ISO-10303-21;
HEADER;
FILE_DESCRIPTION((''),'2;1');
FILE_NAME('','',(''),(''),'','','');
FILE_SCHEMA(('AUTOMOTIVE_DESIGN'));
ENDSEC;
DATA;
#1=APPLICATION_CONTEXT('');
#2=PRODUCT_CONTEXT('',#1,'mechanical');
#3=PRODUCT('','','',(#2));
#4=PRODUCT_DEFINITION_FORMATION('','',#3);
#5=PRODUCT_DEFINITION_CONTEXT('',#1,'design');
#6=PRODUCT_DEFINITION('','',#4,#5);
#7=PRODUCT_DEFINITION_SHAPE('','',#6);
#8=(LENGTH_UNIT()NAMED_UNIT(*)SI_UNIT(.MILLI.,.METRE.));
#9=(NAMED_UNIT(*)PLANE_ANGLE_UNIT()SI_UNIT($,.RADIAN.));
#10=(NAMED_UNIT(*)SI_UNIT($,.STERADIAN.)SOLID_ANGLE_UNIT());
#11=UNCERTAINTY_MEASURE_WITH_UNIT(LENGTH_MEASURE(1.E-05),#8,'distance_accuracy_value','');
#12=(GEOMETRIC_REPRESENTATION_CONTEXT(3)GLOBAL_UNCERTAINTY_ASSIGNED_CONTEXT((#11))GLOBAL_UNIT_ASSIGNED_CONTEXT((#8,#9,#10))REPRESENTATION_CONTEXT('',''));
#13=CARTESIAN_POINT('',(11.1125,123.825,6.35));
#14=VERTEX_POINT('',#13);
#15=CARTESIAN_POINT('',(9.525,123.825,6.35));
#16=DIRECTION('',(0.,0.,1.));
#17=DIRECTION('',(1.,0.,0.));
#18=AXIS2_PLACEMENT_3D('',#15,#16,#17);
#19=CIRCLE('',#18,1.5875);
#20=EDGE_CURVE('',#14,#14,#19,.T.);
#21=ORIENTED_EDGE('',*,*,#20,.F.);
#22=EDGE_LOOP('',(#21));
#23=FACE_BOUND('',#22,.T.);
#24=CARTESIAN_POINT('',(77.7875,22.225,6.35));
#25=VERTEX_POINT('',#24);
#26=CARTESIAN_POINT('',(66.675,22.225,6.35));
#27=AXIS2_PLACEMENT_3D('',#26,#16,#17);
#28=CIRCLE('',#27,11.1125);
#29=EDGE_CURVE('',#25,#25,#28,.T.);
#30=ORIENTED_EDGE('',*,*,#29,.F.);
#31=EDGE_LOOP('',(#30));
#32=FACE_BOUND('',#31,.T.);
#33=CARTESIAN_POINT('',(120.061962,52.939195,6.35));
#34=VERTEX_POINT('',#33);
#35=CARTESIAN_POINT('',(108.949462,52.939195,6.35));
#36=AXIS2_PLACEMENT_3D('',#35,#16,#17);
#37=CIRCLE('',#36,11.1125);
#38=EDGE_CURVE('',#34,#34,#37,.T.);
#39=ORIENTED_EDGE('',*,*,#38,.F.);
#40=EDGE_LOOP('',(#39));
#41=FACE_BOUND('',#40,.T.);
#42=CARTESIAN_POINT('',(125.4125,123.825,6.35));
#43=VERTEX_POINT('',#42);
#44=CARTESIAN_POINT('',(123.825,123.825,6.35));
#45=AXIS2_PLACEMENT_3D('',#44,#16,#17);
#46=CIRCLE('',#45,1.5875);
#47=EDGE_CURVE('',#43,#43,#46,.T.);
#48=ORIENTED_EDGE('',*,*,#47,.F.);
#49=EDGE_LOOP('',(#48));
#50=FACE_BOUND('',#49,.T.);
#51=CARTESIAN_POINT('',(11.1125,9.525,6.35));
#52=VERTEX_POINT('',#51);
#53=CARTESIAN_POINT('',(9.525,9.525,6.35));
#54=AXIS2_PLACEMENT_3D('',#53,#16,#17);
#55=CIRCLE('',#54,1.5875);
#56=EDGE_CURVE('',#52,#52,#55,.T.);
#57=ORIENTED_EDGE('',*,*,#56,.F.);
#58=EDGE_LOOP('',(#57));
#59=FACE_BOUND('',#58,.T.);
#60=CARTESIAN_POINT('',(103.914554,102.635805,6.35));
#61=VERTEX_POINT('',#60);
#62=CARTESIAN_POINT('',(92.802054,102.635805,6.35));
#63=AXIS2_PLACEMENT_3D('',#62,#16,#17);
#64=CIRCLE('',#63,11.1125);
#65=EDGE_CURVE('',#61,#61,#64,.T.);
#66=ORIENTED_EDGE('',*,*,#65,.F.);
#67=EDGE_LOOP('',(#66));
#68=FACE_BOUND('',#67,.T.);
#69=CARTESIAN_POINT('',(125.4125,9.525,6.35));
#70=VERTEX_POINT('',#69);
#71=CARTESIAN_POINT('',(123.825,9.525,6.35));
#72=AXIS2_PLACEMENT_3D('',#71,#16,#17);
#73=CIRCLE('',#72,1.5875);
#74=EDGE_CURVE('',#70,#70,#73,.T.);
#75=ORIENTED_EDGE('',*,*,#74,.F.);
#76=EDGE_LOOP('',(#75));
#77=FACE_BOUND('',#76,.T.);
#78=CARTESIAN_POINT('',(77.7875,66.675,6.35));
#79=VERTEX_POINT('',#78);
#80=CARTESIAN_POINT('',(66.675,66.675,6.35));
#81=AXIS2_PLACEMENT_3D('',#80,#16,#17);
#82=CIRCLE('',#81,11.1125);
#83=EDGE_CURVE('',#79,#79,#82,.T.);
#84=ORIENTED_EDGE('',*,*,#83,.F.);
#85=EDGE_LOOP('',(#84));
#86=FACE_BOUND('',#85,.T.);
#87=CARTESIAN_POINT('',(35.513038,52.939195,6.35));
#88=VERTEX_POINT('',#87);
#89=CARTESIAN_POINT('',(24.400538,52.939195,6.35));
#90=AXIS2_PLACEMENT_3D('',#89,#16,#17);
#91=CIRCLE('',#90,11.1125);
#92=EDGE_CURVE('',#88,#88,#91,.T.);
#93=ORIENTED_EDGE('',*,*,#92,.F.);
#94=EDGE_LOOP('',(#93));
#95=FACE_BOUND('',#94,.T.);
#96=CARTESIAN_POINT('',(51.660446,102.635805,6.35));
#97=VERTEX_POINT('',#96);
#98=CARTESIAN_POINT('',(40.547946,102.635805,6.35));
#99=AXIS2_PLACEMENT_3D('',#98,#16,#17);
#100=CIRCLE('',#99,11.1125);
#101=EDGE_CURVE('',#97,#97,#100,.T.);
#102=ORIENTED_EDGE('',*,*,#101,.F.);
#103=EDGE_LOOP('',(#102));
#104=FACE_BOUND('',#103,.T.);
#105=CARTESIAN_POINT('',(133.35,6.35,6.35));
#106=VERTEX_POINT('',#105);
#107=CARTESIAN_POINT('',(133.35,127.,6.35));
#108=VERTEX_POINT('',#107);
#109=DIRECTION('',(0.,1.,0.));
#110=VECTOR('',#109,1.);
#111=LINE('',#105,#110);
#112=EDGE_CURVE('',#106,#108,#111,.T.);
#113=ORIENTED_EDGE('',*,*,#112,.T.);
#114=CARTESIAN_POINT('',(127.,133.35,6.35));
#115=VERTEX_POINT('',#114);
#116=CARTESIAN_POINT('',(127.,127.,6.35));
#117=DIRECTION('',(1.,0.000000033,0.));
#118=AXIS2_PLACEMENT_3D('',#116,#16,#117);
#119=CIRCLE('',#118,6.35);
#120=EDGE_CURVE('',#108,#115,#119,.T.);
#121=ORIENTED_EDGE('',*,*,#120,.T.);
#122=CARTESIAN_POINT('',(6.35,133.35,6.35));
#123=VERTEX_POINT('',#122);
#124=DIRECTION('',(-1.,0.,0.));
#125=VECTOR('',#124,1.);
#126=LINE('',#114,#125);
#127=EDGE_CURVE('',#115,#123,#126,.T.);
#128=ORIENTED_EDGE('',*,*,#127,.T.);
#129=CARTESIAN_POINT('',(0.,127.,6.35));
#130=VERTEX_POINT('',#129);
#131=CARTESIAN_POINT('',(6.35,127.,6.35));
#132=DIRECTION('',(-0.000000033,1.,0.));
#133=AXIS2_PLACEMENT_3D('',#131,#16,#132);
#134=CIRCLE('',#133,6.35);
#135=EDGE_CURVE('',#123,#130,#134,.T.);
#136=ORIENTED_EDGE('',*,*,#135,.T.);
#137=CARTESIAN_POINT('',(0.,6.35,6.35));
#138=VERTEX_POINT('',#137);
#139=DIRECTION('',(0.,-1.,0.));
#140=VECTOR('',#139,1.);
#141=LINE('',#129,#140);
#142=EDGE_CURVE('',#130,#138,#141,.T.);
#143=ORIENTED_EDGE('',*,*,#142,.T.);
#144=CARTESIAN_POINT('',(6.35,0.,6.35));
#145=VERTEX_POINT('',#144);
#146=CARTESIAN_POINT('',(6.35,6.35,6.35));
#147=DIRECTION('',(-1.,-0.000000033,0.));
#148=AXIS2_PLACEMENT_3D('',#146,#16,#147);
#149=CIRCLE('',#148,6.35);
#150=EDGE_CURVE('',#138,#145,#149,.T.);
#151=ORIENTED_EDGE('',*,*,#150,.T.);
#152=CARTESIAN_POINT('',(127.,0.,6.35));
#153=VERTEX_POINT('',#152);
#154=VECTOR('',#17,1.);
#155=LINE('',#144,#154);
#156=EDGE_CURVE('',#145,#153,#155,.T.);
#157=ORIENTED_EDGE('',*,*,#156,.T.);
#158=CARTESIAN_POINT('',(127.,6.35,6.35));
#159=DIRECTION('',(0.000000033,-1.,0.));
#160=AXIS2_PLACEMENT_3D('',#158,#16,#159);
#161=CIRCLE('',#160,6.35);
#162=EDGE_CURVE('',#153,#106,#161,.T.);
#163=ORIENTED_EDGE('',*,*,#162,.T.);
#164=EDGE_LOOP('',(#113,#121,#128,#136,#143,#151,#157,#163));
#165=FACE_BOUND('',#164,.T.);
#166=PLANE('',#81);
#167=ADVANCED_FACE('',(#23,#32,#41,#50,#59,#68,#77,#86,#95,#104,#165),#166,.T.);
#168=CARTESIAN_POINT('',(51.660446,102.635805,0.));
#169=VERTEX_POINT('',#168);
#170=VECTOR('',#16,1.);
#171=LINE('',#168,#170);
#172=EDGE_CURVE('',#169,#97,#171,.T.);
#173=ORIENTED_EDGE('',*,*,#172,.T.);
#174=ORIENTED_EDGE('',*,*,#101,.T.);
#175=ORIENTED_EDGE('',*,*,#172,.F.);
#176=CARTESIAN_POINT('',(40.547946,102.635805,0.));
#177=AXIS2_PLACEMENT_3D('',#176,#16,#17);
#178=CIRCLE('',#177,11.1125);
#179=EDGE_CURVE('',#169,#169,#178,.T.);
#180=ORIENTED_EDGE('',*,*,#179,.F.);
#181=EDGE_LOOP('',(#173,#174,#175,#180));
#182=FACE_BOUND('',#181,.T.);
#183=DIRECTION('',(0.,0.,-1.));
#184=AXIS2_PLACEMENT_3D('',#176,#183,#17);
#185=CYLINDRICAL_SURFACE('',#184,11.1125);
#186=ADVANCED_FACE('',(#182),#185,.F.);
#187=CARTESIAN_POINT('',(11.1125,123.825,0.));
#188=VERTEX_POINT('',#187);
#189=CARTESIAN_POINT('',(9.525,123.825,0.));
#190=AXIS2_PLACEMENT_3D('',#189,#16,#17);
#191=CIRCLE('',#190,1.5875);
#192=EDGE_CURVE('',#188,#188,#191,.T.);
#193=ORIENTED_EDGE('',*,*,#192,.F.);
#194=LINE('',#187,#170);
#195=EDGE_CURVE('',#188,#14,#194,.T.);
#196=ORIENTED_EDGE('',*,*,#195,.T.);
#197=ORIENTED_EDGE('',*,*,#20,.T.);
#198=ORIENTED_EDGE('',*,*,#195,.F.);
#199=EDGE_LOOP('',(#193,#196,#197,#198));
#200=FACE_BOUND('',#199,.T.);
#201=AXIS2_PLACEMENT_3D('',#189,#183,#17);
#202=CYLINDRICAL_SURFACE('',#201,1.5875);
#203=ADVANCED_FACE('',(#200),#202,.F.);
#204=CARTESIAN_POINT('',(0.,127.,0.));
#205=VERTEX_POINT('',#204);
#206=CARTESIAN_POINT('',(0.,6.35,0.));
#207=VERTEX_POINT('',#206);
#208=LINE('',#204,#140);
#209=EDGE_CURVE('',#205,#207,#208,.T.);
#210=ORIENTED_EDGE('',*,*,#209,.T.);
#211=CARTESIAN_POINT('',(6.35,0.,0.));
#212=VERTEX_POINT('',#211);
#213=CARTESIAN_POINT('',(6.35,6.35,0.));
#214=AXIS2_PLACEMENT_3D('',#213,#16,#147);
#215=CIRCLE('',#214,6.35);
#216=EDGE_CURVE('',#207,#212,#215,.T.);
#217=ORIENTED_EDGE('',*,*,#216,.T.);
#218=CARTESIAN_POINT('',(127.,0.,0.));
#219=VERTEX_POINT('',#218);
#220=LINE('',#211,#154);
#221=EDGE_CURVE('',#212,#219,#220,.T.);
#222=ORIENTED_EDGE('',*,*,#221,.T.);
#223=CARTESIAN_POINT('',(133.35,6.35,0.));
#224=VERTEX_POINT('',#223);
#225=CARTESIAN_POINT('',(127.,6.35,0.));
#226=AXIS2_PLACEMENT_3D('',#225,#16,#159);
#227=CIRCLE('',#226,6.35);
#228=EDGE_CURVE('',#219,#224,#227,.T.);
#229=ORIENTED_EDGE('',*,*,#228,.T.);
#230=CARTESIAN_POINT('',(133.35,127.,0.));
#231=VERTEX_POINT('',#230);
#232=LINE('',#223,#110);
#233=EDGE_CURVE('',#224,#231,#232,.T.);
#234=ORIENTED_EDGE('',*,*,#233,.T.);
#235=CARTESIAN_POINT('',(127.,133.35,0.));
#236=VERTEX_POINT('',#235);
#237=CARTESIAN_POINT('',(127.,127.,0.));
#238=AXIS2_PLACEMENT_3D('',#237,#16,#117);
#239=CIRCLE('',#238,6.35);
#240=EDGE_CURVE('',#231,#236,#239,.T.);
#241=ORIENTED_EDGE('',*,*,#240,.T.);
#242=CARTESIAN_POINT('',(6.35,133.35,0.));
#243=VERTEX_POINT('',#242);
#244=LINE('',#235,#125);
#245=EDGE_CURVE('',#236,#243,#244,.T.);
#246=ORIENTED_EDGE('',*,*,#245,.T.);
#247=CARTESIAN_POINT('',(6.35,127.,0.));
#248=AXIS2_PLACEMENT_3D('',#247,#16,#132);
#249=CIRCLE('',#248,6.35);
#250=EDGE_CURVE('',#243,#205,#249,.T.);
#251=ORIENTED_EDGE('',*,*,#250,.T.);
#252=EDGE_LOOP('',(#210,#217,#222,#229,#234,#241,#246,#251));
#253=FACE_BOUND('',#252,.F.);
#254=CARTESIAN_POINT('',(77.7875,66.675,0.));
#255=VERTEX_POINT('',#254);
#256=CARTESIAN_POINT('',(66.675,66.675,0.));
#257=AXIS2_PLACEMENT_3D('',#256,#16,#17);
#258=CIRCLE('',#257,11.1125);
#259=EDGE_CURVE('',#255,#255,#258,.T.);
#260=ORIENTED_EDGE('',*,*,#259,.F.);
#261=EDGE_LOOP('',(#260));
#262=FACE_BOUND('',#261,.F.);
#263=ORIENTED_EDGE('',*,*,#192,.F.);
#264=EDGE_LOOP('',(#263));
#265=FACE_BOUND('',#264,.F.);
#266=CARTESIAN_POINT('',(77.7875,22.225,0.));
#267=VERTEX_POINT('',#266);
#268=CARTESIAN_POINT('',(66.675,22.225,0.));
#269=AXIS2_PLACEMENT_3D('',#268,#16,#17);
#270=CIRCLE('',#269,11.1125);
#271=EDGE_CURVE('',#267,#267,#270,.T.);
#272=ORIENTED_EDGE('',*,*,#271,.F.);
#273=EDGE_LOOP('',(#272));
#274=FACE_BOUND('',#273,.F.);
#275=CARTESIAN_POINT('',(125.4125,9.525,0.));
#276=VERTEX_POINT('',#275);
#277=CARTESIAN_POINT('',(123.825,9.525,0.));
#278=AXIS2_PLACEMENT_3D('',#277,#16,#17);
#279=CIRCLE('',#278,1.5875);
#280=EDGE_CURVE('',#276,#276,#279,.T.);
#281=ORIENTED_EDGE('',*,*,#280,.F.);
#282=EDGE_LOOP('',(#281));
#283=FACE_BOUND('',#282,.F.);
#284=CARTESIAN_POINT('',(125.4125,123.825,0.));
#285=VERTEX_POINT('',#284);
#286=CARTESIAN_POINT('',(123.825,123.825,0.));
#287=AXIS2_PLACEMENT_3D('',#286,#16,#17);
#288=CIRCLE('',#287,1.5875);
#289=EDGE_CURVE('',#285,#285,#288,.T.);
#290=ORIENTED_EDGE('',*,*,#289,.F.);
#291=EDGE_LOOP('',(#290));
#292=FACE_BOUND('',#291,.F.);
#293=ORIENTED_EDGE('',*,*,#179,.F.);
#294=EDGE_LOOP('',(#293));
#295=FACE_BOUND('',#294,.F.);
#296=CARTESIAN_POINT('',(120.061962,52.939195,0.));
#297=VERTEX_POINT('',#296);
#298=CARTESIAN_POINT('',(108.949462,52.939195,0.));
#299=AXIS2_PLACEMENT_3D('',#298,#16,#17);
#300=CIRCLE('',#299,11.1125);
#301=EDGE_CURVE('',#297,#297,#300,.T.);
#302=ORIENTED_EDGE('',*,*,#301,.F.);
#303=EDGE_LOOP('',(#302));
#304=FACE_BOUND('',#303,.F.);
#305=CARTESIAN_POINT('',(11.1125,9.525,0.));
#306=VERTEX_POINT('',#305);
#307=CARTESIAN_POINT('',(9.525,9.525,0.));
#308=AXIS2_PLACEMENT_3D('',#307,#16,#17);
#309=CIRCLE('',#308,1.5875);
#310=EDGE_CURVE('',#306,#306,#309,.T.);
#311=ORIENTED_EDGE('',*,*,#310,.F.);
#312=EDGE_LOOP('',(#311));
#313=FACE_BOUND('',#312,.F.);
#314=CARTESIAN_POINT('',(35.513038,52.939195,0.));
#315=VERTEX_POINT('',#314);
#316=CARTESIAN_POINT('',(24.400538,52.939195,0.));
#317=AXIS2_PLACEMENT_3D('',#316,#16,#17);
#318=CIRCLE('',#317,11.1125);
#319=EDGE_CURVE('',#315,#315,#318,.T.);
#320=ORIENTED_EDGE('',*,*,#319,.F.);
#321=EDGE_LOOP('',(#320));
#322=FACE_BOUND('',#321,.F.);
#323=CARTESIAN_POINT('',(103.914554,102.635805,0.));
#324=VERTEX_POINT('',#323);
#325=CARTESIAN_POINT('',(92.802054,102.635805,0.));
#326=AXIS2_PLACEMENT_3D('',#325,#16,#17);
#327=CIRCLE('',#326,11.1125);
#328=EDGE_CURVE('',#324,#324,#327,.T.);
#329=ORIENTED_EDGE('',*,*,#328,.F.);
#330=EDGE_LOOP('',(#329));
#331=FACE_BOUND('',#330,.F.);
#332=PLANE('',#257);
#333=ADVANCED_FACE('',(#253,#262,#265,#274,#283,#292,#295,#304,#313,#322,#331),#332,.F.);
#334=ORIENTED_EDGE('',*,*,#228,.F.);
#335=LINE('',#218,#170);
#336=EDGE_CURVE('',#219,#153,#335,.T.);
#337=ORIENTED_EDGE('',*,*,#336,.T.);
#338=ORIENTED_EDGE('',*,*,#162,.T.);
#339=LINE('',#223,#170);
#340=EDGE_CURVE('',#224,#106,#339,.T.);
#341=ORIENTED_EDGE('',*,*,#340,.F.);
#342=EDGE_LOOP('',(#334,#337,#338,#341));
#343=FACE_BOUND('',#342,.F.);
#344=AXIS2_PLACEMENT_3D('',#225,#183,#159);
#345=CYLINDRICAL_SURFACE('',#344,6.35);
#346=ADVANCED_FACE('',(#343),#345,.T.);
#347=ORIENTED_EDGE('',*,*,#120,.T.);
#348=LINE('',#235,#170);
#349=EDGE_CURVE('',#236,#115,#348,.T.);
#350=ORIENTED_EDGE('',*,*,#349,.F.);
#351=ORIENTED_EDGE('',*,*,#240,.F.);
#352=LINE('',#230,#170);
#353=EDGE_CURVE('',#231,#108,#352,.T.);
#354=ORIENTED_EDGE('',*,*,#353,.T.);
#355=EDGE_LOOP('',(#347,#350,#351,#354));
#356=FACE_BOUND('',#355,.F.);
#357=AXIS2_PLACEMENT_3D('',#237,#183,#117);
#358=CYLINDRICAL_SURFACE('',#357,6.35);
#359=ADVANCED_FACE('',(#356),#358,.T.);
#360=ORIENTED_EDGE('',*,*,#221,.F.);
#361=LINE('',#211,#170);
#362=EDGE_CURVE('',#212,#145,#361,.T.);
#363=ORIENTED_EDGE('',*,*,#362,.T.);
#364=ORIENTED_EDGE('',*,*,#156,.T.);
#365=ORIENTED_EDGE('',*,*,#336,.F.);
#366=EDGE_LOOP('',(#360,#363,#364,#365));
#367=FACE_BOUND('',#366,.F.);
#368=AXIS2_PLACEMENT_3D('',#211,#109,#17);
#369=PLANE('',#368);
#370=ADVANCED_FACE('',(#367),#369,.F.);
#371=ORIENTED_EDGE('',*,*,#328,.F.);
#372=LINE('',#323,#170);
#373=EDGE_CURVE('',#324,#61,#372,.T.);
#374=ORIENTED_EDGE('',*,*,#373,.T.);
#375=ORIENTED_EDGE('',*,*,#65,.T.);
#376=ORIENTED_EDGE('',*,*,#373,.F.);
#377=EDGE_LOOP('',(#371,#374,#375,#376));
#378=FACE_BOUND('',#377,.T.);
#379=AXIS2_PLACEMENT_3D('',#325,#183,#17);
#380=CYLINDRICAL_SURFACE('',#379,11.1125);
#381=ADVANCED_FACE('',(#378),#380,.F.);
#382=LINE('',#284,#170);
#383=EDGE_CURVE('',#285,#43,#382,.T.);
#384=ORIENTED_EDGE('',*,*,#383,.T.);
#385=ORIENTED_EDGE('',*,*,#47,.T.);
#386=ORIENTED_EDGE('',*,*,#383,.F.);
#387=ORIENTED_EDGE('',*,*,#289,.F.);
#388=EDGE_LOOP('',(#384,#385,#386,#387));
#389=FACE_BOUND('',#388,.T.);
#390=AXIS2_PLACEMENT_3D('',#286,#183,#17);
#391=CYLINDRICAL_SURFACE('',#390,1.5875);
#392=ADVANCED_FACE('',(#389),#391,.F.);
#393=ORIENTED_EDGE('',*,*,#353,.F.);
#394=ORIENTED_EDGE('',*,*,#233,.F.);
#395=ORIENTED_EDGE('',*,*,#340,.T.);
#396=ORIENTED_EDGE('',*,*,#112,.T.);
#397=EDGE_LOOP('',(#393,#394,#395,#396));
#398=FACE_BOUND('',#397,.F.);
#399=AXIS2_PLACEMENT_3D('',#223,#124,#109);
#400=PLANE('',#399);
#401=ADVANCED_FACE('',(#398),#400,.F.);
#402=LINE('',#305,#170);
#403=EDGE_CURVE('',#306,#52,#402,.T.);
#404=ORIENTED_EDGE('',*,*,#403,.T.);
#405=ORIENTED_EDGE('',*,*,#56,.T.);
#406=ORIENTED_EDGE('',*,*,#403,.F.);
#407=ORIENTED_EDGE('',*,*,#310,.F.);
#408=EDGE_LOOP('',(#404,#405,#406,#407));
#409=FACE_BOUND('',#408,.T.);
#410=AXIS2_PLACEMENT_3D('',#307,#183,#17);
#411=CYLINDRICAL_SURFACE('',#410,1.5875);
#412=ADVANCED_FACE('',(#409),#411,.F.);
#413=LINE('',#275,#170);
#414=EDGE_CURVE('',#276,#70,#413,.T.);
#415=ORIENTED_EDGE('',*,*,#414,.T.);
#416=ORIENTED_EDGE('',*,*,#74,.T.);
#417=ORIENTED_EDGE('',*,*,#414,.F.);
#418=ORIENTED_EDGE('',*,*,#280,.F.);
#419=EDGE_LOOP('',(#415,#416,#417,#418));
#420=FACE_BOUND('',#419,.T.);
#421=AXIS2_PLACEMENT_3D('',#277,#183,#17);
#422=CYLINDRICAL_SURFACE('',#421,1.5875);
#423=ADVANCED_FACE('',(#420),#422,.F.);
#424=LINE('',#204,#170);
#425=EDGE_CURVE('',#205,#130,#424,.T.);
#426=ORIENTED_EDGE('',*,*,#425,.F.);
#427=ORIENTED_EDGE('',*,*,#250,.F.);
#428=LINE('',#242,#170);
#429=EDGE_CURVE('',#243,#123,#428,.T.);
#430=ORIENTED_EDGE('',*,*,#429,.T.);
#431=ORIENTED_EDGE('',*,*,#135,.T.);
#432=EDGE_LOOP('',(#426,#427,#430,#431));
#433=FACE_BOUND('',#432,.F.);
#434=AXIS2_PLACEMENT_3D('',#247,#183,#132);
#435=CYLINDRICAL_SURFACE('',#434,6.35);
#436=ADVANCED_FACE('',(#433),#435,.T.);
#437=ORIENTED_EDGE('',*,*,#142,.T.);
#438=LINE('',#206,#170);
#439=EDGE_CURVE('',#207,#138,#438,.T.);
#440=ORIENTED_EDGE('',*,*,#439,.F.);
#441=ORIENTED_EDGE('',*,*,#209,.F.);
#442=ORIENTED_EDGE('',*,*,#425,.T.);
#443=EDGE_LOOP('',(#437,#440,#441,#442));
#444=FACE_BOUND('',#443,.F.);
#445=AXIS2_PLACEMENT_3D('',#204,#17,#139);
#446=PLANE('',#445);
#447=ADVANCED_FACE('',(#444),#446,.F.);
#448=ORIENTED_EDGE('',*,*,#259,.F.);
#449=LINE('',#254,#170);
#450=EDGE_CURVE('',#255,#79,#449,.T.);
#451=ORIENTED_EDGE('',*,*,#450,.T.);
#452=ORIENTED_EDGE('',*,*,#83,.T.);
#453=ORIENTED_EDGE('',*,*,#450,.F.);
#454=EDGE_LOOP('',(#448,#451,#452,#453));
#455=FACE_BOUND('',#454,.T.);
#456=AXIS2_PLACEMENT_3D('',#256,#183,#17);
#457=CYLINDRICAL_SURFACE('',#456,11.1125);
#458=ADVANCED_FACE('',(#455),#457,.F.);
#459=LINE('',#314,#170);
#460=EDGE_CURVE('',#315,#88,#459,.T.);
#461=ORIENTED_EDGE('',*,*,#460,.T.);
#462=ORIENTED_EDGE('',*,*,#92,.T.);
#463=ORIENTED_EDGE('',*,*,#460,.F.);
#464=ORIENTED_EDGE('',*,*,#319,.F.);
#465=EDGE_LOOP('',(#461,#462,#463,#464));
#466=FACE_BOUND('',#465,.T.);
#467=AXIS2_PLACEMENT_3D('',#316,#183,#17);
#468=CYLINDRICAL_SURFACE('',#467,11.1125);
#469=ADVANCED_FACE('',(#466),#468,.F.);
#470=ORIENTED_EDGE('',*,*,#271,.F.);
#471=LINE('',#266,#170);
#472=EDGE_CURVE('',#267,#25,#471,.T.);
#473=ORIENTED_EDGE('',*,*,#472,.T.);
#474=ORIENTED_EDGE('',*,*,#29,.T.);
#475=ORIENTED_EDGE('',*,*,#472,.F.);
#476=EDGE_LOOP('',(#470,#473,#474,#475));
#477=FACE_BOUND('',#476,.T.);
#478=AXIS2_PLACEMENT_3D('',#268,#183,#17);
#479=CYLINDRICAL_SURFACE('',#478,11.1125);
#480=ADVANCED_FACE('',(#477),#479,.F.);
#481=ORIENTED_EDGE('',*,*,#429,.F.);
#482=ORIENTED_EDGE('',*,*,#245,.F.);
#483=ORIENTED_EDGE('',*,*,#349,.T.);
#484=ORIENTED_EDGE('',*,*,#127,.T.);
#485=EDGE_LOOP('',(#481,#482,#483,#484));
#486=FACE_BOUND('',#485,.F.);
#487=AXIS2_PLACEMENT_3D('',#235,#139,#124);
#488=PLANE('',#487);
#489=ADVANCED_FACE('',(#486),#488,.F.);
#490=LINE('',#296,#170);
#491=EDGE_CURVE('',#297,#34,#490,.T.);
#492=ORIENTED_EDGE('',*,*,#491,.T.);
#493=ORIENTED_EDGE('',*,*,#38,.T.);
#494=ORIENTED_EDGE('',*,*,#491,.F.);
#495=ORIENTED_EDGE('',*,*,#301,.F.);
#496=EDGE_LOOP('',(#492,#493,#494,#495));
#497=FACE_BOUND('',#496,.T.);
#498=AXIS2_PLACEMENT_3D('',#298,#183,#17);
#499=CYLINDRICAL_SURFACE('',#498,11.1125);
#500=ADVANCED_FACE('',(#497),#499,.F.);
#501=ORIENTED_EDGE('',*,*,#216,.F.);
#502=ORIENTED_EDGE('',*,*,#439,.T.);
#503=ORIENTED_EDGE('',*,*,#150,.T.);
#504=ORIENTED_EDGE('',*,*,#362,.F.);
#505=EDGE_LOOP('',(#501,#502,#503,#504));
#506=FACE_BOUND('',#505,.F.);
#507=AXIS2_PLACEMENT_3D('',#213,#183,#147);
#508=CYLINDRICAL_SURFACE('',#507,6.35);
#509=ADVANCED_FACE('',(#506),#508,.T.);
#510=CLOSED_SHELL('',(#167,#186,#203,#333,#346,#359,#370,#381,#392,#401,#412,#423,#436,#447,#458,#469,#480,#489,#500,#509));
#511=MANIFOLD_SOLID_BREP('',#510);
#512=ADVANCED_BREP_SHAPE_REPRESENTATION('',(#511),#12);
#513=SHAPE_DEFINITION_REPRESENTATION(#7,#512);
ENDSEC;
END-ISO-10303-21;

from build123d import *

# Parameters (mm, degrees)
F0_R     = 1.5875
F0_R_2   = 11.1125
F1_DEPTH = 6.35


with BuildPart() as f1:
    # F0 (on Top) → F1 (new body)
    with BuildSketch(Plane.XY):
        with BuildLine():
            ThreePointArc((0, 6.35), (1.859872, 1.859872), (6.35, 0))
            Line((6.35, 0), (127, 0))
            ThreePointArc((127, 0), (131.490128, 1.859872), (133.35, 6.35))
            Line((133.35, 6.35), (133.35, 127))
            ThreePointArc((133.35, 127), (131.490128, 131.490128), (127, 133.35))
            Line((127, 133.35), (6.35, 133.35))
            ThreePointArc((6.35, 133.35), (1.859872, 131.490128), (0, 127))
            Line((0, 127), (0, 6.35))
        make_face()
        with Locations((9.525, 9.525)):
            Circle(F0_R, mode=Mode.SUBTRACT)
        with Locations((24.400538, 52.939195)):
            Circle(F0_R_2, mode=Mode.SUBTRACT)
        with Locations((66.675, 22.225)):
            Circle(F0_R_2, mode=Mode.SUBTRACT)
        with Locations((123.825, 9.525)):
            Circle(F0_R, mode=Mode.SUBTRACT)
        with Locations((108.949462, 52.939195)):
            Circle(F0_R_2, mode=Mode.SUBTRACT)
        with Locations((9.525, 123.825)):
            Circle(F0_R, mode=Mode.SUBTRACT)
        with Locations((40.547946, 102.635805)):
            Circle(F0_R_2, mode=Mode.SUBTRACT)
        with Locations((66.675, 66.675)):
            Circle(F0_R_2, mode=Mode.SUBTRACT)
        with Locations((92.802054, 102.635805)):
            Circle(F0_R_2, mode=Mode.SUBTRACT)
        with Locations((123.825, 123.825)):
            Circle(F0_R, mode=Mode.SUBTRACT)
    extrude(amount=F1_DEPTH)


solid = f1.part
